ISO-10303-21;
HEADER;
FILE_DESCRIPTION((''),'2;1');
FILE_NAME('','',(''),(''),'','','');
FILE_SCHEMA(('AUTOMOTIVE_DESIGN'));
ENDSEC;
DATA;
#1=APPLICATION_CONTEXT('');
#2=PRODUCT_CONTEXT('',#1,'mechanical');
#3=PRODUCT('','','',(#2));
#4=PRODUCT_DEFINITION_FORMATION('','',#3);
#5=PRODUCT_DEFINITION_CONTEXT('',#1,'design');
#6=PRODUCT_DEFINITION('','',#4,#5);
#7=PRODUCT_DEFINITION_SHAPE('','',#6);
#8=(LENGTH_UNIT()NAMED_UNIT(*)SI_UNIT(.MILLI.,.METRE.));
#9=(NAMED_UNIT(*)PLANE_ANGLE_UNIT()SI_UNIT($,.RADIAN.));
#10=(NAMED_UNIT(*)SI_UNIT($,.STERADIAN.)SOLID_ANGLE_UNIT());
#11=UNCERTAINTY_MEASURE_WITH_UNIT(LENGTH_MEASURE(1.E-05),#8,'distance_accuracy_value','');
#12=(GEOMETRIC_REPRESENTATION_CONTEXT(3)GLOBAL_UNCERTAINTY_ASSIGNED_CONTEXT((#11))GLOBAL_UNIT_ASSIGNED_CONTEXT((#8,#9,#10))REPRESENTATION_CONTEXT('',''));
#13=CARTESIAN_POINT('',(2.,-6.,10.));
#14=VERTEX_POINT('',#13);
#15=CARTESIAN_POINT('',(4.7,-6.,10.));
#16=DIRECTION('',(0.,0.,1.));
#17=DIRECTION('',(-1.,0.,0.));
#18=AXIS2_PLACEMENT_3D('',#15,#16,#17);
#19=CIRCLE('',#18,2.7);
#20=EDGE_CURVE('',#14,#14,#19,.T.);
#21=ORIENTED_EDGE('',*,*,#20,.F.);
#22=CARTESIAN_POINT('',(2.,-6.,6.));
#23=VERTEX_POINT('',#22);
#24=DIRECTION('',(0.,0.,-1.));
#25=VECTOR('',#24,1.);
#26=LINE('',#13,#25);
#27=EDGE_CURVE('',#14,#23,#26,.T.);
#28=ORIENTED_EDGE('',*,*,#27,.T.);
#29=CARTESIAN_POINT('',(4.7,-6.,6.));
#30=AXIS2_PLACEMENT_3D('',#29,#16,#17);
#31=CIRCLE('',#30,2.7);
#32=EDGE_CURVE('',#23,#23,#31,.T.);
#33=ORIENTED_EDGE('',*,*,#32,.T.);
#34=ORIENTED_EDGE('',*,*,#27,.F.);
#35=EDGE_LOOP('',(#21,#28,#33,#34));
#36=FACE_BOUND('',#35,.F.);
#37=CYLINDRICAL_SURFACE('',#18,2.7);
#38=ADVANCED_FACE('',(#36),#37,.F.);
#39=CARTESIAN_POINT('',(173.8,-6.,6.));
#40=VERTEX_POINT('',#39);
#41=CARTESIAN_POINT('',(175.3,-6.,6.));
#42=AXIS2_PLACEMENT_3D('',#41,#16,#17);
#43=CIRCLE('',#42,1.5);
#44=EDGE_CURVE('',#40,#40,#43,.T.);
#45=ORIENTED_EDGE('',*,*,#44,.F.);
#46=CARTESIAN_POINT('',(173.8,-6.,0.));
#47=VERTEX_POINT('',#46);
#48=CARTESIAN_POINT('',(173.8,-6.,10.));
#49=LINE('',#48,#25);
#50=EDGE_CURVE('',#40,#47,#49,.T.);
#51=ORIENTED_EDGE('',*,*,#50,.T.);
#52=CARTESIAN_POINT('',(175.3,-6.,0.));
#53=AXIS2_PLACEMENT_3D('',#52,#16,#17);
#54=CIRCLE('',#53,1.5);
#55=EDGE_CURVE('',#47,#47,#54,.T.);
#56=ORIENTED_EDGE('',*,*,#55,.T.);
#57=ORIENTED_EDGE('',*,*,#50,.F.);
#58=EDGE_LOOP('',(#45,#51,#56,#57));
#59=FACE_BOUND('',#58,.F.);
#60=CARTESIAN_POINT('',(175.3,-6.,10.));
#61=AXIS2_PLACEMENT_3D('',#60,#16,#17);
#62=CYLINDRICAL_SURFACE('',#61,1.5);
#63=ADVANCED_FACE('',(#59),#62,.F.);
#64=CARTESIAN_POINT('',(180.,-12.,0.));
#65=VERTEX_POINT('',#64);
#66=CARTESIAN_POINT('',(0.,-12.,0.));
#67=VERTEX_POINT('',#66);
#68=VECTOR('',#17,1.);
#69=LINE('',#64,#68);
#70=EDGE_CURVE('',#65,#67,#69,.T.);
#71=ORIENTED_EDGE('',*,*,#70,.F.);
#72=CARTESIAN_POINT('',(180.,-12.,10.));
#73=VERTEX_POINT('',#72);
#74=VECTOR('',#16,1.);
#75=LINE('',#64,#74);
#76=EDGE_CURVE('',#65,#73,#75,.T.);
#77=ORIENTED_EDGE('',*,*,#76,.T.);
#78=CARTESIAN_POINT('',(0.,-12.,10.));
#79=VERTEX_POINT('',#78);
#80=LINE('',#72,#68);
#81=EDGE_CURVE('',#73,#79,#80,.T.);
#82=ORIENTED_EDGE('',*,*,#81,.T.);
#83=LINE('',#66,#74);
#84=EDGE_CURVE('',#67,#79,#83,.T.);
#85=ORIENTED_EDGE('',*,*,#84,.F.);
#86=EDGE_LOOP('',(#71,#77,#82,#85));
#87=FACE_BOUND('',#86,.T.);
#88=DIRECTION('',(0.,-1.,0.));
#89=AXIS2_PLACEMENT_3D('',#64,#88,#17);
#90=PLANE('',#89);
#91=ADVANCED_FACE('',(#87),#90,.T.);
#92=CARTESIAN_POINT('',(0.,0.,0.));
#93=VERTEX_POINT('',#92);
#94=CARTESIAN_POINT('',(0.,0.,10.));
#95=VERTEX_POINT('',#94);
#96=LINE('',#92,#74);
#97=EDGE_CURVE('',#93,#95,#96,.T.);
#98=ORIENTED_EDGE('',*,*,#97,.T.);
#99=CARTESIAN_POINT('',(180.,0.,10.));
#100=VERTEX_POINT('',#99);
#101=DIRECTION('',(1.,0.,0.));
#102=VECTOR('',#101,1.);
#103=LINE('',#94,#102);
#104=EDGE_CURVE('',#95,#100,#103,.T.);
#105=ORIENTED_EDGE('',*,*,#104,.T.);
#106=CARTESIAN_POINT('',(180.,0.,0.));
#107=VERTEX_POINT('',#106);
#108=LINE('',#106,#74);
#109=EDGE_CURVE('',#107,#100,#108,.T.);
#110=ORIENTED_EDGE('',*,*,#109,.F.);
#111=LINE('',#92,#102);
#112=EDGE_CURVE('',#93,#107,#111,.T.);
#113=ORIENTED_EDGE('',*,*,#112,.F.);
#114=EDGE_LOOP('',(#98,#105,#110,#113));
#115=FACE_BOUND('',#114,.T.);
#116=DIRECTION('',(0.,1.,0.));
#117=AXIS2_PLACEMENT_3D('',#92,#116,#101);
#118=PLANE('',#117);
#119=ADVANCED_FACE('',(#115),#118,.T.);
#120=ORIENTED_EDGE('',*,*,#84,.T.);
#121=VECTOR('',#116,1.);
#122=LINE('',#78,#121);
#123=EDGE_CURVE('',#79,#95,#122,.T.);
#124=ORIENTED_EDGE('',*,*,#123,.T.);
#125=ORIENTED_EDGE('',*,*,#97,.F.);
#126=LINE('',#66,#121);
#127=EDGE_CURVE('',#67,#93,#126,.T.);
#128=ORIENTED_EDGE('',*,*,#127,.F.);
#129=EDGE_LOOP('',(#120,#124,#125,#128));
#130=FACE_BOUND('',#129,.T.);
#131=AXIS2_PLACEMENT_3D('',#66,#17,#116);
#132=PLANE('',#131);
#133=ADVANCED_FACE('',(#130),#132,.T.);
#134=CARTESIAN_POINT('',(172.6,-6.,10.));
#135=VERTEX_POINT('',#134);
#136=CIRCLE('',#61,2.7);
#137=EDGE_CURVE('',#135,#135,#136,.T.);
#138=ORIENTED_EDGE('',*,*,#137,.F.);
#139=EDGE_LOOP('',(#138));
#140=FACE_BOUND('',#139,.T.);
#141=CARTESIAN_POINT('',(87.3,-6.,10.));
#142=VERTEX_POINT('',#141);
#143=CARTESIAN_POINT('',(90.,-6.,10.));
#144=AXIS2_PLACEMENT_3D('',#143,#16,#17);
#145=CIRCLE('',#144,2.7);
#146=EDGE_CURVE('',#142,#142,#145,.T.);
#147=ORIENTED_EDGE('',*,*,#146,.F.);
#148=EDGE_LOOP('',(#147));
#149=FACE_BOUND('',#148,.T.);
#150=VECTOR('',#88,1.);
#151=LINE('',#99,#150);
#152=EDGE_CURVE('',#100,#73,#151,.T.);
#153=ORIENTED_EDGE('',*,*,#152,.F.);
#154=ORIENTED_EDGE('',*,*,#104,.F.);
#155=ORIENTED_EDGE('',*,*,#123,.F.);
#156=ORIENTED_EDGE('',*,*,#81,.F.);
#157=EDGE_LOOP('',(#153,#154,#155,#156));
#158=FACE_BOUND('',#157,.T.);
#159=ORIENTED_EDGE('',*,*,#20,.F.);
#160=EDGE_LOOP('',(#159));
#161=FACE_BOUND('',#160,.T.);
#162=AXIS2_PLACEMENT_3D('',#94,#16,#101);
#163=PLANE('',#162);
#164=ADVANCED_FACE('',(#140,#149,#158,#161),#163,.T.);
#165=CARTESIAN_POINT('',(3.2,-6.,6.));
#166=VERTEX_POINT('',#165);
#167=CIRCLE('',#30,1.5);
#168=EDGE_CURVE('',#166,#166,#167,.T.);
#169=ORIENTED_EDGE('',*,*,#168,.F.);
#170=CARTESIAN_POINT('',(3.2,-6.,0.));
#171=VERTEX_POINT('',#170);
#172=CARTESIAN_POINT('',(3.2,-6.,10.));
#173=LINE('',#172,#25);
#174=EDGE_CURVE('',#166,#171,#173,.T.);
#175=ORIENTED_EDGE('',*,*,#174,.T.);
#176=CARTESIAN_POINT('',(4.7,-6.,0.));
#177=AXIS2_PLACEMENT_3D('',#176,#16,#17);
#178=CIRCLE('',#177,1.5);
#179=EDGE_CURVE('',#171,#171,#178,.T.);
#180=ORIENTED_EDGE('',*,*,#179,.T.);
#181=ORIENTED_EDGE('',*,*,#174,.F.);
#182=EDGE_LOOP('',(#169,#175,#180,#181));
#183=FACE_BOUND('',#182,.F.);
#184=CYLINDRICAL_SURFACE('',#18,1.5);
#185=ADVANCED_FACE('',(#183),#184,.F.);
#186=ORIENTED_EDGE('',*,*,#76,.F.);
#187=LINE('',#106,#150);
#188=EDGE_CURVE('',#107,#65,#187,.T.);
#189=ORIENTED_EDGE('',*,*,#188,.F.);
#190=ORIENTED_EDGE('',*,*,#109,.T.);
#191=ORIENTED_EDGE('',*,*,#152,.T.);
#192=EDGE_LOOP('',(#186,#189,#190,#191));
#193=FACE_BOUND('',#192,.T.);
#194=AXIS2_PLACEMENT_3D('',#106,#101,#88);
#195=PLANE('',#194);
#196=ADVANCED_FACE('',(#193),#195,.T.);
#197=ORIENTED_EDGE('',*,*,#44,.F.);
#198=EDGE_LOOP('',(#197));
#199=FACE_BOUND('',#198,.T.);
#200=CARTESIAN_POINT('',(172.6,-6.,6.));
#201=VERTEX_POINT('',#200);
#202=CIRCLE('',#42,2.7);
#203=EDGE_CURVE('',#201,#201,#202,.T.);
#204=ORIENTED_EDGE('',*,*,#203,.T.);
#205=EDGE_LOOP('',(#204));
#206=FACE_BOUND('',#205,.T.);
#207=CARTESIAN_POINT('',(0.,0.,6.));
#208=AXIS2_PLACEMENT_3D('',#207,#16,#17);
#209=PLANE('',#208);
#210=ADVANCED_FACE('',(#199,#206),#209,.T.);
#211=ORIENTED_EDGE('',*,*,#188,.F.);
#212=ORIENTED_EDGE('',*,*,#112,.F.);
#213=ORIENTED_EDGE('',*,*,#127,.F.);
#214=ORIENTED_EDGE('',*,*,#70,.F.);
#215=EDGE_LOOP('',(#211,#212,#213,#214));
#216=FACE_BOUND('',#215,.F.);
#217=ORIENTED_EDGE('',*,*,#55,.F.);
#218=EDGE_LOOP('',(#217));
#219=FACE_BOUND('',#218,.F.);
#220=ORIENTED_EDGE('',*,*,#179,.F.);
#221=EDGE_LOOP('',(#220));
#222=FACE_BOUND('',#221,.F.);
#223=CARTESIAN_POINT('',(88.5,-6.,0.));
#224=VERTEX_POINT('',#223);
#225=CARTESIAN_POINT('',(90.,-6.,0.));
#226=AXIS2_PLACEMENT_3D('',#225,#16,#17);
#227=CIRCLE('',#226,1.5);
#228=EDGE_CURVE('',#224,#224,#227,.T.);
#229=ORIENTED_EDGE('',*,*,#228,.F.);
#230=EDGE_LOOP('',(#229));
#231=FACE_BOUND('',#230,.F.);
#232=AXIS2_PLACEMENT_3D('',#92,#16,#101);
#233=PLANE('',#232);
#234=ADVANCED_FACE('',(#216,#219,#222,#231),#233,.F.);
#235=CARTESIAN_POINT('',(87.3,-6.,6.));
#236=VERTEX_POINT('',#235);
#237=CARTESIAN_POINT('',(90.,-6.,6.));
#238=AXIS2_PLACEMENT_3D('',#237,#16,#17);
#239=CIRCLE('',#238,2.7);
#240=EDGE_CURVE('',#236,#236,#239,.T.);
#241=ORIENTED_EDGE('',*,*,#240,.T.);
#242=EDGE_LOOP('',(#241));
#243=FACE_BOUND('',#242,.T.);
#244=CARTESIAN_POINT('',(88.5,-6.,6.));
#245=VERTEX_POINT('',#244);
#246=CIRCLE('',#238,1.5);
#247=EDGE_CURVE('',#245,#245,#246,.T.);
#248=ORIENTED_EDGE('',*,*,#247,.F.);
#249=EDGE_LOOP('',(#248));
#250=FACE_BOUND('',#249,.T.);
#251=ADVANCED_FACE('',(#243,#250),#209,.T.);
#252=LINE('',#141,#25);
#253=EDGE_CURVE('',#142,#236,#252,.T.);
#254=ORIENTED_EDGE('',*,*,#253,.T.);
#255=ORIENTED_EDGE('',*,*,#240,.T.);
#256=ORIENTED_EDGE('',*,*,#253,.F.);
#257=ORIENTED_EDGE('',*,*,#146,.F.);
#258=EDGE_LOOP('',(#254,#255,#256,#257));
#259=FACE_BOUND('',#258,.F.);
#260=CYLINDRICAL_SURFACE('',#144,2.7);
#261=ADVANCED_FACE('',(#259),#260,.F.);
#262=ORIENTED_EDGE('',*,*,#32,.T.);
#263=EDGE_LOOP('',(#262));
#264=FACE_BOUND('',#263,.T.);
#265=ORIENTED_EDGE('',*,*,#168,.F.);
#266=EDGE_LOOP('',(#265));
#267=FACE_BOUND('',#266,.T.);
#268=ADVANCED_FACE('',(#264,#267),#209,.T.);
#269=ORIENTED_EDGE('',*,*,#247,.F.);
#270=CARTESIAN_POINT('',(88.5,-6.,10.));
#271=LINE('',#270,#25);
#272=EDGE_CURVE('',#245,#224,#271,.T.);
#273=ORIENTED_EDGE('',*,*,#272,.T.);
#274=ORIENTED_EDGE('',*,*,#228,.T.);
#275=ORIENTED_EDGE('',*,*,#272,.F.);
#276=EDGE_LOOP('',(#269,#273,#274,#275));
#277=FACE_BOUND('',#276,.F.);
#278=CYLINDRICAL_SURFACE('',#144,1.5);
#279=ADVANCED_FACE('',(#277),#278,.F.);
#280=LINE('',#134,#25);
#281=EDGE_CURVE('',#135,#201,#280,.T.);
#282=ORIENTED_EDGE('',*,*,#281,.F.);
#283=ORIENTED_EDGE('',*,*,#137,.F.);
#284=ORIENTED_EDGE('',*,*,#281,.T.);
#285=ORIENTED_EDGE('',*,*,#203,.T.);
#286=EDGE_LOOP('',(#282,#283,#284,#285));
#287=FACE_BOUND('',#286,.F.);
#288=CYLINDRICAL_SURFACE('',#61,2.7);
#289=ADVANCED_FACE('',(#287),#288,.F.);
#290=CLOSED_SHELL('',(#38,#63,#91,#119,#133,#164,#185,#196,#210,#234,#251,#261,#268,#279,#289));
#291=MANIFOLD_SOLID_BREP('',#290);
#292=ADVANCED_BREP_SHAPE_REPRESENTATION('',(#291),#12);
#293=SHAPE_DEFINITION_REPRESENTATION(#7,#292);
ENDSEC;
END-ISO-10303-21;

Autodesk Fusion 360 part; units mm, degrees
sketch "Sketch1" plane through (0, 0, 0) normal (0, 0, 1) x (1, 0, 0)
  line L0 (0, 0) -> (180, 0)
  line L1 (180, 0) -> (180, -12)
  line L2 (180, -12) -> (0, -12)
  line L3 (0, -12) -> (0, 0)
  dimension "d16" = 180
  dimension "d17" = 12
extrude "Extrude1" add sketch "Sketch1" along normal blind 10
sketch "Sketch6" plane through (0, 0, 10) normal (0, 0, 1) x (-1, 0, 0)
  line L0 (0, 12) -> (-180, 12)
  line L1 (-180, 12) -> (-180, 0)
  line L2 (-180, 0) -> (0, 0)
  line L3 (0, 0) -> (0, 12)
  circle A0 centre (-4.7, 6) radius 1.5
  circle A1 centre (-4.7, 6) radius 2.7
  circle A2 centre (-175.3, 6) radius 1.5
  circle A3 centre (-175.3, 6) radius 2.7
  line L4 (0, 12) -> (0, 0)
  line L5 (0, 0) -> (-180, 0)
  line L6 (-180, 0) -> (-180, 12)
  circle A4 centre (-90, 6) radius 1.5
  circle A5 centre (-90, 6) radius 2.7
  dimension "d65" = 3
  dimension "d66" = 1.2
  dimension "d67" = 3
  dimension "d68" = 1.2
  dimension "d69" = 4.7
  dimension "d70" = 6
  dimension "d71" = 4.7
  dimension "d72" = 6
  dimension "d82" = 3
  dimension "d83" = 1.2
  dimension "d88" = 6
  dimension "d89" = 90
extrude "Extrude9" cut sketch "Sketch6" against normal blind 100 contours A2
extrude "Extrude10" cut sketch "Sketch6" against normal blind 4 contours A3
extrude "Extrude11" cut sketch "Sketch6" against normal blind 100 contours A0
extrude "Extrude12" cut sketch "Sketch6" against normal blind 4 contours A1
extrude "Extrude13" cut sketch "Sketch6" against normal blind 100 contours A4
extrude "Extrude14" cut sketch "Sketch6" against normal blind 4 contours A5
equation "length = 180 mm"
equation "height = 10 mm"
equation "width = 12 mm"
equation "d16 = length"
equation "d17 = width"
equation "d18 = height"
equation "extra = 100 mm"
equation "bearing_outer_radius = 2.7 mm"
equation "bearing_width = 4 mm"
equation "bearing_big_distance = 2 mm + bearing_outer_radius"
equation "bearing_small_distance = width / 2"
equation "bearing_inner_radius = 1.5 mm"
equation "d65 = bearing_inner_radius * 2"
equation "d66 = bearing_outer_radius - bearing_inner_radius"
equation "d67 = bearing_inner_radius * 2"
equation "d68 = bearing_outer_radius - bearing_inner_radius"
equation "d69 = bearing_big_distance"
equation "d70 = bearing_small_distance"
equation "d71 = bearing_big_distance"
equation "d72 = bearing_small_distance"
equation "d73 = -extra"
equation "d75 = -bearing_width"
equation "d77 = -extra"
equation "d79 = -bearing_width"
equation "bearing_main_big_distance = length / 2"
equation "d82 = bearing_inner_radius * 2"
equation "d83 = bearing_outer_radius - bearing_inner_radius"
equation "d84 = -extra"
equation "d86 = -bearing_width"
equation "d88 = bearing_small_distance"
equation "d89 = bearing_main_big_distance"
